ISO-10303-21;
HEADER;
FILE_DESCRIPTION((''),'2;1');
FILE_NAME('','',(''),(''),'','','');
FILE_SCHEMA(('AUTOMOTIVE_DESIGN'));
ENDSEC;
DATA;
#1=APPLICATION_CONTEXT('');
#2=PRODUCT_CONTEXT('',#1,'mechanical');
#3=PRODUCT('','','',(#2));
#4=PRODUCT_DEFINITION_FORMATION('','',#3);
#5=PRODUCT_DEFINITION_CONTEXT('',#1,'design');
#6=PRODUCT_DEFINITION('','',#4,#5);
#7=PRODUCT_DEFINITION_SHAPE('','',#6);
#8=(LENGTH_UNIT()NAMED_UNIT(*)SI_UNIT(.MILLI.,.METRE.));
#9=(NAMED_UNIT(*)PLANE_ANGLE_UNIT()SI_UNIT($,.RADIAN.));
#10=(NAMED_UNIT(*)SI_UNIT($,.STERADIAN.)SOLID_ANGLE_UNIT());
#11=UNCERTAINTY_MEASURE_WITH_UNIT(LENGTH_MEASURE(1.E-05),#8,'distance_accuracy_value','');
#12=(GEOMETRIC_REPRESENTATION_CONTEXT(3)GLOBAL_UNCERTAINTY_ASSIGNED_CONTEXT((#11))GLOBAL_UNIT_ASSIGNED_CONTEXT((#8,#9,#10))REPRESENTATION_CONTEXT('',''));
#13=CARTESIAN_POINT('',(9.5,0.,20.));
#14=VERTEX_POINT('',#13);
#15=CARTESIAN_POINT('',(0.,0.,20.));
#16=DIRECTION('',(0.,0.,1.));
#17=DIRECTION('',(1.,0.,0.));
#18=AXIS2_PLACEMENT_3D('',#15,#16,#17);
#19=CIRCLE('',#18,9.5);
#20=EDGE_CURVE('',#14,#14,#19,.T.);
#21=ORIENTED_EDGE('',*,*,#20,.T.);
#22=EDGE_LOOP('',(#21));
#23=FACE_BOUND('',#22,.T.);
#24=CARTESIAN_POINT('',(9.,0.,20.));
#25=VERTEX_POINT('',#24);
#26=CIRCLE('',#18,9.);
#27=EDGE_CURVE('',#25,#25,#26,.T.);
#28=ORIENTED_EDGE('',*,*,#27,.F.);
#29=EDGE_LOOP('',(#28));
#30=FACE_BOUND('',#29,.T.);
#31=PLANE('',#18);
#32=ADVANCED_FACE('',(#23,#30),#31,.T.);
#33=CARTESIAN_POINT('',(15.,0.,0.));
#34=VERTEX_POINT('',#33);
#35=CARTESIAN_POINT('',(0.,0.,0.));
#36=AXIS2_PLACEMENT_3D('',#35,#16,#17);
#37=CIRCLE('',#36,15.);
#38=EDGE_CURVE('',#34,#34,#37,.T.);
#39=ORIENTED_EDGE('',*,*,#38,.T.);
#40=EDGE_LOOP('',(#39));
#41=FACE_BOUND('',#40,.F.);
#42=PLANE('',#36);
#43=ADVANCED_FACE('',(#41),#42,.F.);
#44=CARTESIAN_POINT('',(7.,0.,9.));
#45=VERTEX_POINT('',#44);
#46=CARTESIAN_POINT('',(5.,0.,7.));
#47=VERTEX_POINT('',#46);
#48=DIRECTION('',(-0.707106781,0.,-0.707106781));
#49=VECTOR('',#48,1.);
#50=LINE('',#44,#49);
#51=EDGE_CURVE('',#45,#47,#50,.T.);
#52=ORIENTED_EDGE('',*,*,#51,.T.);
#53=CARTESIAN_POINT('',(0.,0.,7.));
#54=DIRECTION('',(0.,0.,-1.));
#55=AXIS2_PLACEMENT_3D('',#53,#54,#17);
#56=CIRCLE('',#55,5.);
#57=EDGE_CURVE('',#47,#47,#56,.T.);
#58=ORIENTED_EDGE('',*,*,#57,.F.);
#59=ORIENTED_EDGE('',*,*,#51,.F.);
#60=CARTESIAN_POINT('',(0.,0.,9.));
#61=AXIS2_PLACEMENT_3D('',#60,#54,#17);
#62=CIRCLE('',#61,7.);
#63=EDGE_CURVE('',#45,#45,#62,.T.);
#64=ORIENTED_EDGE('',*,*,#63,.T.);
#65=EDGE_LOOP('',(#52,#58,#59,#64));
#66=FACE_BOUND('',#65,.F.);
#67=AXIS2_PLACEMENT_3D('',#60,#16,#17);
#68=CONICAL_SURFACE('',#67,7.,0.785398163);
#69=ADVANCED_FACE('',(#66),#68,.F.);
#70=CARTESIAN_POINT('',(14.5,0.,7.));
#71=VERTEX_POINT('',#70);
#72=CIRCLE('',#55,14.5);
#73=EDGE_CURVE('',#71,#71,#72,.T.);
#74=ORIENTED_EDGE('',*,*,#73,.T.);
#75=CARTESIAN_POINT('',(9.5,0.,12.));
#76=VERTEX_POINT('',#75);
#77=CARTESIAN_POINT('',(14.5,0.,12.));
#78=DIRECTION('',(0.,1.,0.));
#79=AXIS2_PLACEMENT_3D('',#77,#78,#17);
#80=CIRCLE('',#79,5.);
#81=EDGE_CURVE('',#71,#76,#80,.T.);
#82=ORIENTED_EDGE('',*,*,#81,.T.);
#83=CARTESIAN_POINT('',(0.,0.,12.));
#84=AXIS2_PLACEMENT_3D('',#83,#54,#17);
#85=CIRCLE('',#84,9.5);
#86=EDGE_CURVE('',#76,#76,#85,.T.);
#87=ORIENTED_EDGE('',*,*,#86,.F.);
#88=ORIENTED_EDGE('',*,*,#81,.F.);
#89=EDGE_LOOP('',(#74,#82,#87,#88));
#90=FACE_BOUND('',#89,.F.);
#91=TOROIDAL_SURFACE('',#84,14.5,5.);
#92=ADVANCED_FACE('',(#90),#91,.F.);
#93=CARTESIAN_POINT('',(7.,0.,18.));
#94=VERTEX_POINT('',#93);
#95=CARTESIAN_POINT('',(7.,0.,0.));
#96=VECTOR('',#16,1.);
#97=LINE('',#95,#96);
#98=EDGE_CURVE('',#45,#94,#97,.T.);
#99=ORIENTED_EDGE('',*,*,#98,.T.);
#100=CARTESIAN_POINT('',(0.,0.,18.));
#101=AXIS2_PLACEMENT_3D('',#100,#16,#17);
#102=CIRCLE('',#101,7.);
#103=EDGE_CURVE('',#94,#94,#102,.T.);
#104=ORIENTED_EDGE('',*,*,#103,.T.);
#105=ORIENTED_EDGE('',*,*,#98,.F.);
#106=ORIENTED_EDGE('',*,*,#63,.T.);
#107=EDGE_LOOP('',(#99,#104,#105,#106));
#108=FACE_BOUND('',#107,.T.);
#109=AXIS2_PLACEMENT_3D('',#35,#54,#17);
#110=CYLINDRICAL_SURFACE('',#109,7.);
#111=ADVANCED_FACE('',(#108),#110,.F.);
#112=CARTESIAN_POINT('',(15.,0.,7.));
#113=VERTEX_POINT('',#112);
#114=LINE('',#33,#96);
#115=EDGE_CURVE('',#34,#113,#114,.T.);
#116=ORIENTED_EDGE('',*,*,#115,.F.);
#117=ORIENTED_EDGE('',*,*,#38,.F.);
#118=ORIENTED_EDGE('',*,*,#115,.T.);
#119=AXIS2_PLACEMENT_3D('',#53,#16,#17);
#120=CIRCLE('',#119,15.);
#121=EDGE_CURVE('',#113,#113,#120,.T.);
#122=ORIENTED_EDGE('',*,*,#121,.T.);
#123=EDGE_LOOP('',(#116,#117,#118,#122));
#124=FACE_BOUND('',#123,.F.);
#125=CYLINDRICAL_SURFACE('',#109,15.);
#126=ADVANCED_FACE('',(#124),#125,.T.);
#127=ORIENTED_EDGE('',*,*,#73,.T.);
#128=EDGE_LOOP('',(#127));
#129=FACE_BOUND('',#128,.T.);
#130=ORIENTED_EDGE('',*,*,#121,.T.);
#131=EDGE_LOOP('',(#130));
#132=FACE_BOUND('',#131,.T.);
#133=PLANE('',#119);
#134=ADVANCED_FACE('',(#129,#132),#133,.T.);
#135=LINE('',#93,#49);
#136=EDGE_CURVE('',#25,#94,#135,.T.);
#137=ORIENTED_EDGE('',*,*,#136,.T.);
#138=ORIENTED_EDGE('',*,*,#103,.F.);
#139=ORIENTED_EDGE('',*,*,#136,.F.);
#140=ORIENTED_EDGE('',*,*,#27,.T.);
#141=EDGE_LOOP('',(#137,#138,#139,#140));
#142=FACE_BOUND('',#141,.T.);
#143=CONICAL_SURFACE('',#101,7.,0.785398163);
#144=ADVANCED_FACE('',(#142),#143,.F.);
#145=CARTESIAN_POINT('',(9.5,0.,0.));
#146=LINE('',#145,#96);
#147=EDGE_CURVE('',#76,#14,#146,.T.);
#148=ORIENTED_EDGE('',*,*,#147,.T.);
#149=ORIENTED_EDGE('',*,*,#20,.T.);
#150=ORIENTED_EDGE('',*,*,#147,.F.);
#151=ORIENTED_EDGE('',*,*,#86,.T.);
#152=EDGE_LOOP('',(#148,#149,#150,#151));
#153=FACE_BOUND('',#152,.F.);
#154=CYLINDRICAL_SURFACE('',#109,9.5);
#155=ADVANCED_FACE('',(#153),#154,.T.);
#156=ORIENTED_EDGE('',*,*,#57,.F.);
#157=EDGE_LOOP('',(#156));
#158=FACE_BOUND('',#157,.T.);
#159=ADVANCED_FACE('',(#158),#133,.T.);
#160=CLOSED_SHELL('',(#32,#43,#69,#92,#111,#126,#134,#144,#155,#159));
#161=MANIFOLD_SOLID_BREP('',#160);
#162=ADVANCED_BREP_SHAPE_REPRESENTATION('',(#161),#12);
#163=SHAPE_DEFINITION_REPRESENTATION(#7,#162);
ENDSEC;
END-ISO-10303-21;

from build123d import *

# Parameters (mm, degrees)
F0_R     = 15
F0_R_2   = 9.5
F0_R_3   = 7
F1_DEPTH = 7
F2_DEPTH = 20
F3_R     = 5
F4_SIZE  = 2
F5_SIZE  = 2


with BuildPart() as f1:
    # F0 (on Top) → F1 (new body)
    with BuildSketch(Plane.XY):
        Circle(F0_R)
        Circle(F0_R_2, mode=Mode.SUBTRACT)
        Circle(F0_R_2)
        Circle(F0_R_3, mode=Mode.SUBTRACT)
        Circle(F0_R_3)
    extrude(amount=F1_DEPTH)

    # F0 (on Top) → F2 (join)
    with BuildSketch(Plane.XY):
        Circle(F0_R_2)
        Circle(F0_R_3, mode=Mode.SUBTRACT)
    extrude(amount=F2_DEPTH)

    # F3
    f3_edges = [f1.edges().sort_by_distance(p)[0] for p in [
        (-9.5, 0, 7),
    ]]
    fillet(f3_edges, radius=F3_R)

    # F4
    f4_edges = [f1.edges().sort_by_distance(p)[0] for p in [
        (-7, 0, 20),
    ]]
    chamfer(f4_edges, length=F4_SIZE)

    # F5
    f5_edges = [f1.edges().sort_by_distance(p)[0] for p in [
        (-7, 0, 7),
    ]]
    chamfer(f5_edges, length=F5_SIZE)


solid = f1.part
